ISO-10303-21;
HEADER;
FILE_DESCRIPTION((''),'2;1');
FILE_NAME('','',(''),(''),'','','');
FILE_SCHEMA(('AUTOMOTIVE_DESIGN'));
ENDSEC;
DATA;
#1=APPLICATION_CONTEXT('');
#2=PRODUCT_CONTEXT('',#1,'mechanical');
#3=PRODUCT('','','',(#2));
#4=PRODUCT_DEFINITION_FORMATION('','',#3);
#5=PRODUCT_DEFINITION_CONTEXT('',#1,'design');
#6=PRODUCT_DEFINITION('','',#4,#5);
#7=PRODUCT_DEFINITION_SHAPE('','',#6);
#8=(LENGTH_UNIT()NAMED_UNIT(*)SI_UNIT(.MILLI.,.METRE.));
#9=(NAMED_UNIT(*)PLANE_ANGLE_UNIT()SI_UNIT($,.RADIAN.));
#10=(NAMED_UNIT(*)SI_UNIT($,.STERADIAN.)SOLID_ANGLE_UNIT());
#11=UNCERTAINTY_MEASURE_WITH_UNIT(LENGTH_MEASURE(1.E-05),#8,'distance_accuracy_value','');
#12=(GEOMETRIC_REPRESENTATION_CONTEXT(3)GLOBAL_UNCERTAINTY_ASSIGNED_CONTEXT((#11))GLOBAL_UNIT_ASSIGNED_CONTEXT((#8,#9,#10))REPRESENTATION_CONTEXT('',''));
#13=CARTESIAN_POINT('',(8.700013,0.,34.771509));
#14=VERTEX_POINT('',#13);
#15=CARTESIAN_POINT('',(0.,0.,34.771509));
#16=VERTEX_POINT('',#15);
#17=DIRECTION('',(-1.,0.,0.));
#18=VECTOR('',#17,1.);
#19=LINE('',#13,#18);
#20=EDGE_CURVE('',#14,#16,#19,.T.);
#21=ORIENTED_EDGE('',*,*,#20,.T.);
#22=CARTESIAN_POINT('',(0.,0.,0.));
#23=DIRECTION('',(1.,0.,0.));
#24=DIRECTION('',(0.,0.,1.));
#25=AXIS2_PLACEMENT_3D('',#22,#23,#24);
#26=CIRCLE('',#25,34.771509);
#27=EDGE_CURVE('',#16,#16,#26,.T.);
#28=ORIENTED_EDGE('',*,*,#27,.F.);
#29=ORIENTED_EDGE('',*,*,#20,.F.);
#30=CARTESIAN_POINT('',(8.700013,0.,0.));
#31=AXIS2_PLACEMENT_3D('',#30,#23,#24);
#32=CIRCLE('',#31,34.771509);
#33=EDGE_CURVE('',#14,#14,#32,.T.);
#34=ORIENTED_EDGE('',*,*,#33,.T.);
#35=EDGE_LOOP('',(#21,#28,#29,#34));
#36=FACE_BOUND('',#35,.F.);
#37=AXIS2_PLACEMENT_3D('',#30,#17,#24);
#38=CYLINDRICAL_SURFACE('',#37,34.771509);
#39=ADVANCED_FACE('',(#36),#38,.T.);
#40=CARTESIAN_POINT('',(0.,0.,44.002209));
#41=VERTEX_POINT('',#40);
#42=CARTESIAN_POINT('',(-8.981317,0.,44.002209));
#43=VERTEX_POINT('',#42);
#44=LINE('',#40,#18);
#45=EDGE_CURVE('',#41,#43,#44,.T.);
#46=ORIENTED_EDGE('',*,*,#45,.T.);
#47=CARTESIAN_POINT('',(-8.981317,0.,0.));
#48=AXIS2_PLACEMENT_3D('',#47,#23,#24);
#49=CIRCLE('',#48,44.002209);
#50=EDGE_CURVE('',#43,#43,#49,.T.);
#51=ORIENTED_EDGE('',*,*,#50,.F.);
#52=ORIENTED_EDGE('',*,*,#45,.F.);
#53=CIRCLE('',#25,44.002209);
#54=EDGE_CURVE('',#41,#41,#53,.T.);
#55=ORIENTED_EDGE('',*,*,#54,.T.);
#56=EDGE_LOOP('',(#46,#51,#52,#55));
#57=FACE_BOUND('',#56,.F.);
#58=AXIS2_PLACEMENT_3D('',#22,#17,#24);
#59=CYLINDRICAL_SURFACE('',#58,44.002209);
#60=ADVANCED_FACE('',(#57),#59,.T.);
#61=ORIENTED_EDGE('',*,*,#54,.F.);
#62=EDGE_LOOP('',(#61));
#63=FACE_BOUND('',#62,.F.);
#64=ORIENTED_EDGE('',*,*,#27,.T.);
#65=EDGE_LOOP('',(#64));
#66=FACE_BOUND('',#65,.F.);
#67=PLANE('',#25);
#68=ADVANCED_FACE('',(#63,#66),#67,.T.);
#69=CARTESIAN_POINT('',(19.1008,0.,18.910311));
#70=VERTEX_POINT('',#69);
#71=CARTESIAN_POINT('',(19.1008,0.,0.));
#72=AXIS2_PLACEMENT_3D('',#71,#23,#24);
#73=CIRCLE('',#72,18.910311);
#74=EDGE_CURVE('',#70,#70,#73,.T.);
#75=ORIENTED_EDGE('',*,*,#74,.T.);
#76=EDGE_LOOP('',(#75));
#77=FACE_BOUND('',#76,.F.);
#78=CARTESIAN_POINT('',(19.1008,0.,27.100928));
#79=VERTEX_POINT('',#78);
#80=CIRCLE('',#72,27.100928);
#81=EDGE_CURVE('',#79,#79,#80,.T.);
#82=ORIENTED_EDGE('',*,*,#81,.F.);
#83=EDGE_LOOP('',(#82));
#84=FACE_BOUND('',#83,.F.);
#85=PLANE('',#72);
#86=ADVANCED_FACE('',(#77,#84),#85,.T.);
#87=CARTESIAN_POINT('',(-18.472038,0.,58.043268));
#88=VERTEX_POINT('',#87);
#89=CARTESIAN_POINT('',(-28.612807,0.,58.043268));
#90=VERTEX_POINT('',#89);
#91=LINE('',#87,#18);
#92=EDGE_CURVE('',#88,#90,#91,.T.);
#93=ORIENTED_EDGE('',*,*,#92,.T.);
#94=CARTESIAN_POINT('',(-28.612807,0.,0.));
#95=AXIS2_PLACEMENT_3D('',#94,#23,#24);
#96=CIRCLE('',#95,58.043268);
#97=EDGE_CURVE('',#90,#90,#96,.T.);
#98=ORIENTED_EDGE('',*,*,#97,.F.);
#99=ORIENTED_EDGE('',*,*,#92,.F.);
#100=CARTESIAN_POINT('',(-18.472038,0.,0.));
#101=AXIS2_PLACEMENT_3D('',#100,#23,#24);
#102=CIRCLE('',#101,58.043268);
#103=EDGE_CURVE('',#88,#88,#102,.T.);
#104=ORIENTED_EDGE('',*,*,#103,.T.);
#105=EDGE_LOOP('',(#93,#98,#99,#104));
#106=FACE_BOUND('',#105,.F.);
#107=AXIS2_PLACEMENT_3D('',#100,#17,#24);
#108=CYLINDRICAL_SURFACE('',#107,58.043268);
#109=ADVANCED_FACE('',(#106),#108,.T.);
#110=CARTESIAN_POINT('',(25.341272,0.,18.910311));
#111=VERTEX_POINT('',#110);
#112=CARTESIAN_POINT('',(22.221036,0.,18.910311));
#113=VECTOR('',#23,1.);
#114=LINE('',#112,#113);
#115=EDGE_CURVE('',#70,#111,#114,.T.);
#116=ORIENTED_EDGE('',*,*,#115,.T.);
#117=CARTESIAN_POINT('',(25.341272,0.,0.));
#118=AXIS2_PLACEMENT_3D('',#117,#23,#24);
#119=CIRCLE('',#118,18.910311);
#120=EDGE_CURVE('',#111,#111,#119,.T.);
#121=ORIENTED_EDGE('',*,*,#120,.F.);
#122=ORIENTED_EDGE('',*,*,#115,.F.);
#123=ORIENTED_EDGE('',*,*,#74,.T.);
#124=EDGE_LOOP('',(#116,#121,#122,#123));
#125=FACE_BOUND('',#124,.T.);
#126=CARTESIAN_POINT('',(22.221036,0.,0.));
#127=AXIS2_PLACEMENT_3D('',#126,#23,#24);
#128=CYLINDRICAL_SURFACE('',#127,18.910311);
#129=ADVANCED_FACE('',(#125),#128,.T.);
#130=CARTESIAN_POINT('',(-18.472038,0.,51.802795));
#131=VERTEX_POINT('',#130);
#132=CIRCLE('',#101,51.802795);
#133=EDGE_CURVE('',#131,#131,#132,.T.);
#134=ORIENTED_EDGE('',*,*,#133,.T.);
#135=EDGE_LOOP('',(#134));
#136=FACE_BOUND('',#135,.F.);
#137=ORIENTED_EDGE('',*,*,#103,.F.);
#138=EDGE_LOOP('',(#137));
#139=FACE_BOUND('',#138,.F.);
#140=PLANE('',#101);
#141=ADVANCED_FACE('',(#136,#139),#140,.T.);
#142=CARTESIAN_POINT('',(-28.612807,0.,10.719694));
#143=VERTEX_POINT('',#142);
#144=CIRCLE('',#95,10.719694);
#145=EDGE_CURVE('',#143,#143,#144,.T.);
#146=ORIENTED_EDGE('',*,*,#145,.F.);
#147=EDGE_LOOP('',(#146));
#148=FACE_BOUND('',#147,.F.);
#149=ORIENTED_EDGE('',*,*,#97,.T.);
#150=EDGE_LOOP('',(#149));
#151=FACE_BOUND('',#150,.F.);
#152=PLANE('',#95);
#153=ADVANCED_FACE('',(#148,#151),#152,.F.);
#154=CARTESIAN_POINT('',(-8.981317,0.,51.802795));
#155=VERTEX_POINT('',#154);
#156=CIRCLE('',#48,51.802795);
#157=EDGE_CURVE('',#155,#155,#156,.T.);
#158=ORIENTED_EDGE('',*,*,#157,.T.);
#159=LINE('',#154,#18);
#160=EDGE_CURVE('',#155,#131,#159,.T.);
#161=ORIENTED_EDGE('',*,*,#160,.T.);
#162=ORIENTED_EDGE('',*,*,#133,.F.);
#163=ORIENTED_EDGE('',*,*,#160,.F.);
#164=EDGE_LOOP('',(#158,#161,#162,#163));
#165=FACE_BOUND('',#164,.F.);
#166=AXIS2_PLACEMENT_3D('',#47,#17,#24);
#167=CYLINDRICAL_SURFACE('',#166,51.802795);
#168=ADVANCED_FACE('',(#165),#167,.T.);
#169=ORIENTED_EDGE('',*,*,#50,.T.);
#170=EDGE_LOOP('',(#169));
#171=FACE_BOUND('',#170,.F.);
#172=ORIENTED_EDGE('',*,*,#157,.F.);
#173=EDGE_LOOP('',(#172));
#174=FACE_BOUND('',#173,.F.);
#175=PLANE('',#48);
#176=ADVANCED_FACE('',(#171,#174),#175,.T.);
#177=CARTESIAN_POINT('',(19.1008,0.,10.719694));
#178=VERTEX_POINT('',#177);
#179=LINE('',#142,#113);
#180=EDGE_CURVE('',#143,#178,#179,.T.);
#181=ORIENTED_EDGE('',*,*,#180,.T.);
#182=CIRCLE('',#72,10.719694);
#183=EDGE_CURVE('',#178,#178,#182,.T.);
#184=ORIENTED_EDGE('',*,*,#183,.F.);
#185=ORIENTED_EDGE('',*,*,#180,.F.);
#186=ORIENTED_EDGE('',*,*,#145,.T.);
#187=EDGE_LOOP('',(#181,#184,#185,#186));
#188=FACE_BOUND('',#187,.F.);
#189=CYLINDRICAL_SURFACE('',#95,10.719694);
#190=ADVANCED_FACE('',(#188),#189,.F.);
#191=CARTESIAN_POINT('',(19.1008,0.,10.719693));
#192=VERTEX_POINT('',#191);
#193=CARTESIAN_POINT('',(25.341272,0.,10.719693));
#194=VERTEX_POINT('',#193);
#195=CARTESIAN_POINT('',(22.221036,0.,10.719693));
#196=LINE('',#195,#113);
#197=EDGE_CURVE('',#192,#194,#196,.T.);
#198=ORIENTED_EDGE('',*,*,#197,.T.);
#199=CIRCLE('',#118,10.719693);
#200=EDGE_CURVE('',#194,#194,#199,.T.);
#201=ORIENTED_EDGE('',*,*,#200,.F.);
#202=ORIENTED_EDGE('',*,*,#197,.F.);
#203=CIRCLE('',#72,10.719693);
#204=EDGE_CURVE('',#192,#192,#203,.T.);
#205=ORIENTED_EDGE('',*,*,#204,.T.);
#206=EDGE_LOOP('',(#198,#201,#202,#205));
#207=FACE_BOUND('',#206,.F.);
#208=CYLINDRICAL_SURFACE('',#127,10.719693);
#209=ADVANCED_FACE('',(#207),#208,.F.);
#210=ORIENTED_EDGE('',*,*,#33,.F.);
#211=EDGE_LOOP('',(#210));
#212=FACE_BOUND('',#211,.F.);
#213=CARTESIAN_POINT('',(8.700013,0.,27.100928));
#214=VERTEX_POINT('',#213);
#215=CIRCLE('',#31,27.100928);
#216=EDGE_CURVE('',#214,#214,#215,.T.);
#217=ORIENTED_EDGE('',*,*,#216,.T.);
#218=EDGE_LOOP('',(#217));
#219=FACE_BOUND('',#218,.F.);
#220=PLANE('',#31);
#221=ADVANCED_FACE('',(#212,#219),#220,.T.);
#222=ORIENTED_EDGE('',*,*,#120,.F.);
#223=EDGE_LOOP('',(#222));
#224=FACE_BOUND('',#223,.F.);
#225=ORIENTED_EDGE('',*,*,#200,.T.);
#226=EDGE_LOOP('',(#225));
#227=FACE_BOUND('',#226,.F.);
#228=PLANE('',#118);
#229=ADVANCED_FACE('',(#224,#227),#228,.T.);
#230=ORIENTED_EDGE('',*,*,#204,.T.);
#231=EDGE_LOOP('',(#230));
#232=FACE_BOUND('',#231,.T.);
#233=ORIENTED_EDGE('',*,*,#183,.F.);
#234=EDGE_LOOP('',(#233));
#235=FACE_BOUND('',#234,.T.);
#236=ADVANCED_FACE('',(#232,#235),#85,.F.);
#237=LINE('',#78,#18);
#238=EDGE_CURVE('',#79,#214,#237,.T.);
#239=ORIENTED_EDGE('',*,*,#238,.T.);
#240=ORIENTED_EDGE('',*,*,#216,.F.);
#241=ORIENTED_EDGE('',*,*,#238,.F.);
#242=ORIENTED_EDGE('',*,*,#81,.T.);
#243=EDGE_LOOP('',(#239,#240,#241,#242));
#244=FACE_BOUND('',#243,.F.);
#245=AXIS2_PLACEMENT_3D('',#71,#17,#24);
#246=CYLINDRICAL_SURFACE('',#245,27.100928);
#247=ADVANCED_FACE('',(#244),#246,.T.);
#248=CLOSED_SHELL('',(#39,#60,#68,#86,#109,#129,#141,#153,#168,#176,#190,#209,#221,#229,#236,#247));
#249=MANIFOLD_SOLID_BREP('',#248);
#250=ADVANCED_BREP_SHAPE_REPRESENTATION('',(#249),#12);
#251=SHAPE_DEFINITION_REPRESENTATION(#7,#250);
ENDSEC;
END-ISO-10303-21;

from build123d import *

# Parameters (mm, degrees)
F0_W = 6.240472
F0_H = 8.190617


with BuildPart() as f1:
    # F0 (on Front) → F1 (revolve)
    with BuildSketch(Plane.XZ):
        Polygon((-28.612807, 58.043268), (-28.612807, 10.719694), (-18.472038, 10.719694), (-18.472038, 51.802795), (-18.472038, 58.043268), align=None)
        Polygon((-18.472038, 51.802795), (-18.472038, 10.719694), (-8.981317, 10.719694), (-8.981317, 44.002209), (-8.981317, 51.802795), align=None)
        Polygon((-8.981317, 44.002209), (-8.981317, 10.719694), (0, 10.719694), (0, 34.771509), (0, 44.002209), align=None)
        Polygon((0, 34.771509), (0, 10.719694), (8.700013, 10.719694), (8.700013, 27.100928), (8.700013, 34.771509), align=None)
        Polygon((8.700013, 27.100928), (8.700013, 10.719694), (19.1008, 10.719694), (19.1008, 18.910311), (19.1008, 27.100928), align=None)
        with Locations((22.221036, 14.815002)):
            Rectangle(F0_W, F0_H)
    revolve(axis=Axis((1.939505, 0, 0), (1, 0, 0)))


solid = f1.part
